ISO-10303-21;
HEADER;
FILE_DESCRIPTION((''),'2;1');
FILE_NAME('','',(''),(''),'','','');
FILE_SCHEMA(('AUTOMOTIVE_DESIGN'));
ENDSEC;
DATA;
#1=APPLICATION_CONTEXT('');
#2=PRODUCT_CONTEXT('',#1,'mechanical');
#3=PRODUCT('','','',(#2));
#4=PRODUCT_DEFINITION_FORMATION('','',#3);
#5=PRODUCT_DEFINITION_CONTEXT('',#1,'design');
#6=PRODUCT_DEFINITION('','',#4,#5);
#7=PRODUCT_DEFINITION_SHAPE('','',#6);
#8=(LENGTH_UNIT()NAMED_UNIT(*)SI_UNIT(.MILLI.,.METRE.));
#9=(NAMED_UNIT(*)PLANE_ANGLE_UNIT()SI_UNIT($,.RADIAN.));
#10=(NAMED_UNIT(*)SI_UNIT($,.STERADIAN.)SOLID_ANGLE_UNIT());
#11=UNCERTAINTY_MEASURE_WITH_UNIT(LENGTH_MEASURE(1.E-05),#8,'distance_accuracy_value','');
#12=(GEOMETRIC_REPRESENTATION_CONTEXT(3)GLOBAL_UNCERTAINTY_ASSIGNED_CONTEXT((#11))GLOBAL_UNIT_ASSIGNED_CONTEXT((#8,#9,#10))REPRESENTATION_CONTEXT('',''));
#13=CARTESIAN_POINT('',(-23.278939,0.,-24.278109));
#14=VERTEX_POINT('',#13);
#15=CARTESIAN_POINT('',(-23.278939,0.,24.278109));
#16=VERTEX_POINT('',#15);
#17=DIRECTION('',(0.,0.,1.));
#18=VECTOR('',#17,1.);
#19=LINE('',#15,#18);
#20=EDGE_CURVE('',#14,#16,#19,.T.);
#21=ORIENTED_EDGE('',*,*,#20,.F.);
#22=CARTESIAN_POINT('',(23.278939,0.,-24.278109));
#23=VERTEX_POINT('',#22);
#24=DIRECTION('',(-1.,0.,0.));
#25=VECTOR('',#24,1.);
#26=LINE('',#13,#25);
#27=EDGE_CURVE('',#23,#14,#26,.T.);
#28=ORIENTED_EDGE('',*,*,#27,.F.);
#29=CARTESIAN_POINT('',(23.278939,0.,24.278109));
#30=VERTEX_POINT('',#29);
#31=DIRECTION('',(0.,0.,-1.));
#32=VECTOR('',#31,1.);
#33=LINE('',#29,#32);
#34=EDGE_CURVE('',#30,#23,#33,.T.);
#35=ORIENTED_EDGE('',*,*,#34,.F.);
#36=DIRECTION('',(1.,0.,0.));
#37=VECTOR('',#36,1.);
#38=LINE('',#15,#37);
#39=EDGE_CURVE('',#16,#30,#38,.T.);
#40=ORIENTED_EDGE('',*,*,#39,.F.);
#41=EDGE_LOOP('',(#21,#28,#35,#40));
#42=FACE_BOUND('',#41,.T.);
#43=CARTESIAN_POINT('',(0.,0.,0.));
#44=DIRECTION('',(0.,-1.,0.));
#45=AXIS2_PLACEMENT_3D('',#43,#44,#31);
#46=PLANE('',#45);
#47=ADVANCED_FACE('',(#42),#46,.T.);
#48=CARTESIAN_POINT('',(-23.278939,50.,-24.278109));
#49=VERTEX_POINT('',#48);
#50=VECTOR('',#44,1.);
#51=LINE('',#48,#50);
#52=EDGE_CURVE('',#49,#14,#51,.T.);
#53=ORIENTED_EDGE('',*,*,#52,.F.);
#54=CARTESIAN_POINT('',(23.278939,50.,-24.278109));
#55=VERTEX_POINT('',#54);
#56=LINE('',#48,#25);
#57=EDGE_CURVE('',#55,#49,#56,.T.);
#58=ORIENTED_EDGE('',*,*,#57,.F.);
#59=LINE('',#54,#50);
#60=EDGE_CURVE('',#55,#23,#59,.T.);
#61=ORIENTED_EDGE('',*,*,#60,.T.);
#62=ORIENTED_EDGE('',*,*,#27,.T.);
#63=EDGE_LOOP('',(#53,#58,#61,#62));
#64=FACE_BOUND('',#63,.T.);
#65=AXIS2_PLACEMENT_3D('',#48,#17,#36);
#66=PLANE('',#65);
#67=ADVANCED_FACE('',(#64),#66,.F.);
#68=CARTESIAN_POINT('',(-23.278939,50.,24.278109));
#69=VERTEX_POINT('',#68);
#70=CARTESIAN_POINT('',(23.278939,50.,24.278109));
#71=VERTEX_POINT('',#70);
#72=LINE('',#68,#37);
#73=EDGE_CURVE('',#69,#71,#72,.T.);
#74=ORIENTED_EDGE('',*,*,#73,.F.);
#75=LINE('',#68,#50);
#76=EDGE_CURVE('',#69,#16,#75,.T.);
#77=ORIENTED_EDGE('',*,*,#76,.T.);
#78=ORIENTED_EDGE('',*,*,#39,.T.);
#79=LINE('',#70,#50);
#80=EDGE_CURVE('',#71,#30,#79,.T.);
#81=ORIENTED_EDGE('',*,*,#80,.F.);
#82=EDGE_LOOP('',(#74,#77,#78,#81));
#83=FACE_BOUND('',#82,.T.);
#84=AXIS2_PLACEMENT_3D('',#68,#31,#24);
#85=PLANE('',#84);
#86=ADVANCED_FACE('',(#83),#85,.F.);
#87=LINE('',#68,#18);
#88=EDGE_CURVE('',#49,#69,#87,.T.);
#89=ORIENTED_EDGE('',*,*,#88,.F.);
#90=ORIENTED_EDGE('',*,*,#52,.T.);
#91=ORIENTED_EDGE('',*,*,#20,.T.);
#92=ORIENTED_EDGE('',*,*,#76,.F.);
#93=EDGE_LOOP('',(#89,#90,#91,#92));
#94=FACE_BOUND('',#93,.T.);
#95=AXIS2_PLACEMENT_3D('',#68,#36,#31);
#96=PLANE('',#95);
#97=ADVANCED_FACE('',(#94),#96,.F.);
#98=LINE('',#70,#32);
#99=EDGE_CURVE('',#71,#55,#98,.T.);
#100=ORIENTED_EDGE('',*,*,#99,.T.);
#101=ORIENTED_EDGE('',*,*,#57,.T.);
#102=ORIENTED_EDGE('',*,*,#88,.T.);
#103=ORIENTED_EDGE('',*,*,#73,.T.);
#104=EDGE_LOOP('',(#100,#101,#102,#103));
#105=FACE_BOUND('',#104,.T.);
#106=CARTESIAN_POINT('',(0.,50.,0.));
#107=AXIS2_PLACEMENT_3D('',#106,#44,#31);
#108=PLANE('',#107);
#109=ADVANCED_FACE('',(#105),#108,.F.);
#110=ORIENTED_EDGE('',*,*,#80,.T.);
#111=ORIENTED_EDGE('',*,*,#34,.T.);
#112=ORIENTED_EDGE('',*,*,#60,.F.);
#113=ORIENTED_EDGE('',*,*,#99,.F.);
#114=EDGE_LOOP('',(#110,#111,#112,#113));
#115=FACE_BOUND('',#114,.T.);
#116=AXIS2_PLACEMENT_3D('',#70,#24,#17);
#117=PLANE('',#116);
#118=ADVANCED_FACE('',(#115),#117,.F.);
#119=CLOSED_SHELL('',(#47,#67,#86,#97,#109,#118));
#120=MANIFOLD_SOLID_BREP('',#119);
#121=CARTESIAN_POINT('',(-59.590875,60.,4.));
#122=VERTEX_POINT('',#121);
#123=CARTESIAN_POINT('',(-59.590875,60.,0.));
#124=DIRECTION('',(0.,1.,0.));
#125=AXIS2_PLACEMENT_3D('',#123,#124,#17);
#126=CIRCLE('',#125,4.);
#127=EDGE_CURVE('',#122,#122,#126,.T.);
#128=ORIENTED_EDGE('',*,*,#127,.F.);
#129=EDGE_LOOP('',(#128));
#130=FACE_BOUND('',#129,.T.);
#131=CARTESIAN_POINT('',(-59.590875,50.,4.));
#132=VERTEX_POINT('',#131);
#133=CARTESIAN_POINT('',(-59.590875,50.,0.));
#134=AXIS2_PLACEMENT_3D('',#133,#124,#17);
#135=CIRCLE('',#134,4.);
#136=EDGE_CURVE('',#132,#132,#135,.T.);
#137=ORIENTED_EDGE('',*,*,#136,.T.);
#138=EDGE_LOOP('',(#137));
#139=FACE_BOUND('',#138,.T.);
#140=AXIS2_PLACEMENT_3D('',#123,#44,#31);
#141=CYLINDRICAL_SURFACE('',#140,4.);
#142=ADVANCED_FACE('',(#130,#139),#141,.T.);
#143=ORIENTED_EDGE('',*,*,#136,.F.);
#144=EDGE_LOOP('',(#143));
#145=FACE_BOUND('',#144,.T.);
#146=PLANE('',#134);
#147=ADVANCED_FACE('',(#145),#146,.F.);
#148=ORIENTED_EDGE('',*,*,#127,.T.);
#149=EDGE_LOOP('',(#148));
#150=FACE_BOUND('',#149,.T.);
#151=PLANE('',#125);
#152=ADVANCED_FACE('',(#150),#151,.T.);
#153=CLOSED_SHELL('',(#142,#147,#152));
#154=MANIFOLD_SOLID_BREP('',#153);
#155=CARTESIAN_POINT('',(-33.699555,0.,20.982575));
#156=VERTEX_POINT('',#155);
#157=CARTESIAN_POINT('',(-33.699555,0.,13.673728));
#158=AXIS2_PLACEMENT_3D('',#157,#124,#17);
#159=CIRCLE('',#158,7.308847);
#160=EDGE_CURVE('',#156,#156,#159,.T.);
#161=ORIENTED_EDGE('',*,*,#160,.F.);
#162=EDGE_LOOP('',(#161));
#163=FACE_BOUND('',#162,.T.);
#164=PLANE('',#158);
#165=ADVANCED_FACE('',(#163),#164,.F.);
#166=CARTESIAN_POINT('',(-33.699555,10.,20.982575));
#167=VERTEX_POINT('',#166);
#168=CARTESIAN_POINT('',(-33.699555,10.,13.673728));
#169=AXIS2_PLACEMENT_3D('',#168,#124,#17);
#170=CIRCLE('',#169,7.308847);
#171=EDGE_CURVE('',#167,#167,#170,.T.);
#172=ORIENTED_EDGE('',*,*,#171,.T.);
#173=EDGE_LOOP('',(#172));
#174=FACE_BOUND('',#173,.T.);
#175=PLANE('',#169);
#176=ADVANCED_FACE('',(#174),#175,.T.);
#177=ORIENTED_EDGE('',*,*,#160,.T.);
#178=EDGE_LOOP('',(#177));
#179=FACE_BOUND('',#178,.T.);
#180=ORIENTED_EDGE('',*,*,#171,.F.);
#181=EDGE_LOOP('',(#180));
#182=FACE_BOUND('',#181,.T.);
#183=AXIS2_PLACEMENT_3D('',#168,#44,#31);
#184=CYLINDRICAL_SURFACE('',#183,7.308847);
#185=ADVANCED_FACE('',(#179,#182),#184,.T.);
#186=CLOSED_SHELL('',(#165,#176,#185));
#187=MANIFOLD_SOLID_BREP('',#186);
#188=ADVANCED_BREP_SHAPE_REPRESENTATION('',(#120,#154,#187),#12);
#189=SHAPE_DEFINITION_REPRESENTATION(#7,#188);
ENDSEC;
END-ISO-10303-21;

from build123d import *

# Parameters (mm, degrees)
SKETCH_1_W      = 46.55787774
SKETCH_1_H      = 48.556217662
EXTRUDE_1_DEPTH = 50
SKETCH_2_R      = 7.308846902
EXTRUDE_2_DEPTH = 10
SKETCH_3_R      = 4
EXTRUDE_3_DEPTH = 10


with BuildPart() as part:
    # 草图1 → 凸台-拉伸1 (new body)
    with BuildSketch(Plane(origin=(0, 0, 0), x_dir=(1, 0, 0), z_dir=(0, 1, 0))):
        Rectangle(SKETCH_1_W, SKETCH_1_H)
    extrude(amount=EXTRUDE_1_DEPTH)


with BuildPart() as body_2:
    # 草图2 → 凸台-拉伸2 (new body)
    with BuildSketch(Plane(origin=(0, 0, 0), x_dir=(1, 0, 0), z_dir=(0, 1, 0))):
        with Locations(Location((-33.699554643, -13.673728025, 0), (0, 0, 270))):
            Circle(SKETCH_2_R)
    extrude(amount=EXTRUDE_2_DEPTH)


with BuildPart() as body_3:
    # 草图3 → 凸台-拉伸3 (new body)
    with BuildSketch(Plane(origin=(0, 50, 0), x_dir=(1, 0, 0), z_dir=(0, 1, 0))):
        with Locations(Location((-59.590874547, 0, 0), (0, 0, 270))):
            Circle(SKETCH_3_R)
    extrude(amount=EXTRUDE_3_DEPTH)


solid = Compound([part.part, body_2.part, body_3.part])
